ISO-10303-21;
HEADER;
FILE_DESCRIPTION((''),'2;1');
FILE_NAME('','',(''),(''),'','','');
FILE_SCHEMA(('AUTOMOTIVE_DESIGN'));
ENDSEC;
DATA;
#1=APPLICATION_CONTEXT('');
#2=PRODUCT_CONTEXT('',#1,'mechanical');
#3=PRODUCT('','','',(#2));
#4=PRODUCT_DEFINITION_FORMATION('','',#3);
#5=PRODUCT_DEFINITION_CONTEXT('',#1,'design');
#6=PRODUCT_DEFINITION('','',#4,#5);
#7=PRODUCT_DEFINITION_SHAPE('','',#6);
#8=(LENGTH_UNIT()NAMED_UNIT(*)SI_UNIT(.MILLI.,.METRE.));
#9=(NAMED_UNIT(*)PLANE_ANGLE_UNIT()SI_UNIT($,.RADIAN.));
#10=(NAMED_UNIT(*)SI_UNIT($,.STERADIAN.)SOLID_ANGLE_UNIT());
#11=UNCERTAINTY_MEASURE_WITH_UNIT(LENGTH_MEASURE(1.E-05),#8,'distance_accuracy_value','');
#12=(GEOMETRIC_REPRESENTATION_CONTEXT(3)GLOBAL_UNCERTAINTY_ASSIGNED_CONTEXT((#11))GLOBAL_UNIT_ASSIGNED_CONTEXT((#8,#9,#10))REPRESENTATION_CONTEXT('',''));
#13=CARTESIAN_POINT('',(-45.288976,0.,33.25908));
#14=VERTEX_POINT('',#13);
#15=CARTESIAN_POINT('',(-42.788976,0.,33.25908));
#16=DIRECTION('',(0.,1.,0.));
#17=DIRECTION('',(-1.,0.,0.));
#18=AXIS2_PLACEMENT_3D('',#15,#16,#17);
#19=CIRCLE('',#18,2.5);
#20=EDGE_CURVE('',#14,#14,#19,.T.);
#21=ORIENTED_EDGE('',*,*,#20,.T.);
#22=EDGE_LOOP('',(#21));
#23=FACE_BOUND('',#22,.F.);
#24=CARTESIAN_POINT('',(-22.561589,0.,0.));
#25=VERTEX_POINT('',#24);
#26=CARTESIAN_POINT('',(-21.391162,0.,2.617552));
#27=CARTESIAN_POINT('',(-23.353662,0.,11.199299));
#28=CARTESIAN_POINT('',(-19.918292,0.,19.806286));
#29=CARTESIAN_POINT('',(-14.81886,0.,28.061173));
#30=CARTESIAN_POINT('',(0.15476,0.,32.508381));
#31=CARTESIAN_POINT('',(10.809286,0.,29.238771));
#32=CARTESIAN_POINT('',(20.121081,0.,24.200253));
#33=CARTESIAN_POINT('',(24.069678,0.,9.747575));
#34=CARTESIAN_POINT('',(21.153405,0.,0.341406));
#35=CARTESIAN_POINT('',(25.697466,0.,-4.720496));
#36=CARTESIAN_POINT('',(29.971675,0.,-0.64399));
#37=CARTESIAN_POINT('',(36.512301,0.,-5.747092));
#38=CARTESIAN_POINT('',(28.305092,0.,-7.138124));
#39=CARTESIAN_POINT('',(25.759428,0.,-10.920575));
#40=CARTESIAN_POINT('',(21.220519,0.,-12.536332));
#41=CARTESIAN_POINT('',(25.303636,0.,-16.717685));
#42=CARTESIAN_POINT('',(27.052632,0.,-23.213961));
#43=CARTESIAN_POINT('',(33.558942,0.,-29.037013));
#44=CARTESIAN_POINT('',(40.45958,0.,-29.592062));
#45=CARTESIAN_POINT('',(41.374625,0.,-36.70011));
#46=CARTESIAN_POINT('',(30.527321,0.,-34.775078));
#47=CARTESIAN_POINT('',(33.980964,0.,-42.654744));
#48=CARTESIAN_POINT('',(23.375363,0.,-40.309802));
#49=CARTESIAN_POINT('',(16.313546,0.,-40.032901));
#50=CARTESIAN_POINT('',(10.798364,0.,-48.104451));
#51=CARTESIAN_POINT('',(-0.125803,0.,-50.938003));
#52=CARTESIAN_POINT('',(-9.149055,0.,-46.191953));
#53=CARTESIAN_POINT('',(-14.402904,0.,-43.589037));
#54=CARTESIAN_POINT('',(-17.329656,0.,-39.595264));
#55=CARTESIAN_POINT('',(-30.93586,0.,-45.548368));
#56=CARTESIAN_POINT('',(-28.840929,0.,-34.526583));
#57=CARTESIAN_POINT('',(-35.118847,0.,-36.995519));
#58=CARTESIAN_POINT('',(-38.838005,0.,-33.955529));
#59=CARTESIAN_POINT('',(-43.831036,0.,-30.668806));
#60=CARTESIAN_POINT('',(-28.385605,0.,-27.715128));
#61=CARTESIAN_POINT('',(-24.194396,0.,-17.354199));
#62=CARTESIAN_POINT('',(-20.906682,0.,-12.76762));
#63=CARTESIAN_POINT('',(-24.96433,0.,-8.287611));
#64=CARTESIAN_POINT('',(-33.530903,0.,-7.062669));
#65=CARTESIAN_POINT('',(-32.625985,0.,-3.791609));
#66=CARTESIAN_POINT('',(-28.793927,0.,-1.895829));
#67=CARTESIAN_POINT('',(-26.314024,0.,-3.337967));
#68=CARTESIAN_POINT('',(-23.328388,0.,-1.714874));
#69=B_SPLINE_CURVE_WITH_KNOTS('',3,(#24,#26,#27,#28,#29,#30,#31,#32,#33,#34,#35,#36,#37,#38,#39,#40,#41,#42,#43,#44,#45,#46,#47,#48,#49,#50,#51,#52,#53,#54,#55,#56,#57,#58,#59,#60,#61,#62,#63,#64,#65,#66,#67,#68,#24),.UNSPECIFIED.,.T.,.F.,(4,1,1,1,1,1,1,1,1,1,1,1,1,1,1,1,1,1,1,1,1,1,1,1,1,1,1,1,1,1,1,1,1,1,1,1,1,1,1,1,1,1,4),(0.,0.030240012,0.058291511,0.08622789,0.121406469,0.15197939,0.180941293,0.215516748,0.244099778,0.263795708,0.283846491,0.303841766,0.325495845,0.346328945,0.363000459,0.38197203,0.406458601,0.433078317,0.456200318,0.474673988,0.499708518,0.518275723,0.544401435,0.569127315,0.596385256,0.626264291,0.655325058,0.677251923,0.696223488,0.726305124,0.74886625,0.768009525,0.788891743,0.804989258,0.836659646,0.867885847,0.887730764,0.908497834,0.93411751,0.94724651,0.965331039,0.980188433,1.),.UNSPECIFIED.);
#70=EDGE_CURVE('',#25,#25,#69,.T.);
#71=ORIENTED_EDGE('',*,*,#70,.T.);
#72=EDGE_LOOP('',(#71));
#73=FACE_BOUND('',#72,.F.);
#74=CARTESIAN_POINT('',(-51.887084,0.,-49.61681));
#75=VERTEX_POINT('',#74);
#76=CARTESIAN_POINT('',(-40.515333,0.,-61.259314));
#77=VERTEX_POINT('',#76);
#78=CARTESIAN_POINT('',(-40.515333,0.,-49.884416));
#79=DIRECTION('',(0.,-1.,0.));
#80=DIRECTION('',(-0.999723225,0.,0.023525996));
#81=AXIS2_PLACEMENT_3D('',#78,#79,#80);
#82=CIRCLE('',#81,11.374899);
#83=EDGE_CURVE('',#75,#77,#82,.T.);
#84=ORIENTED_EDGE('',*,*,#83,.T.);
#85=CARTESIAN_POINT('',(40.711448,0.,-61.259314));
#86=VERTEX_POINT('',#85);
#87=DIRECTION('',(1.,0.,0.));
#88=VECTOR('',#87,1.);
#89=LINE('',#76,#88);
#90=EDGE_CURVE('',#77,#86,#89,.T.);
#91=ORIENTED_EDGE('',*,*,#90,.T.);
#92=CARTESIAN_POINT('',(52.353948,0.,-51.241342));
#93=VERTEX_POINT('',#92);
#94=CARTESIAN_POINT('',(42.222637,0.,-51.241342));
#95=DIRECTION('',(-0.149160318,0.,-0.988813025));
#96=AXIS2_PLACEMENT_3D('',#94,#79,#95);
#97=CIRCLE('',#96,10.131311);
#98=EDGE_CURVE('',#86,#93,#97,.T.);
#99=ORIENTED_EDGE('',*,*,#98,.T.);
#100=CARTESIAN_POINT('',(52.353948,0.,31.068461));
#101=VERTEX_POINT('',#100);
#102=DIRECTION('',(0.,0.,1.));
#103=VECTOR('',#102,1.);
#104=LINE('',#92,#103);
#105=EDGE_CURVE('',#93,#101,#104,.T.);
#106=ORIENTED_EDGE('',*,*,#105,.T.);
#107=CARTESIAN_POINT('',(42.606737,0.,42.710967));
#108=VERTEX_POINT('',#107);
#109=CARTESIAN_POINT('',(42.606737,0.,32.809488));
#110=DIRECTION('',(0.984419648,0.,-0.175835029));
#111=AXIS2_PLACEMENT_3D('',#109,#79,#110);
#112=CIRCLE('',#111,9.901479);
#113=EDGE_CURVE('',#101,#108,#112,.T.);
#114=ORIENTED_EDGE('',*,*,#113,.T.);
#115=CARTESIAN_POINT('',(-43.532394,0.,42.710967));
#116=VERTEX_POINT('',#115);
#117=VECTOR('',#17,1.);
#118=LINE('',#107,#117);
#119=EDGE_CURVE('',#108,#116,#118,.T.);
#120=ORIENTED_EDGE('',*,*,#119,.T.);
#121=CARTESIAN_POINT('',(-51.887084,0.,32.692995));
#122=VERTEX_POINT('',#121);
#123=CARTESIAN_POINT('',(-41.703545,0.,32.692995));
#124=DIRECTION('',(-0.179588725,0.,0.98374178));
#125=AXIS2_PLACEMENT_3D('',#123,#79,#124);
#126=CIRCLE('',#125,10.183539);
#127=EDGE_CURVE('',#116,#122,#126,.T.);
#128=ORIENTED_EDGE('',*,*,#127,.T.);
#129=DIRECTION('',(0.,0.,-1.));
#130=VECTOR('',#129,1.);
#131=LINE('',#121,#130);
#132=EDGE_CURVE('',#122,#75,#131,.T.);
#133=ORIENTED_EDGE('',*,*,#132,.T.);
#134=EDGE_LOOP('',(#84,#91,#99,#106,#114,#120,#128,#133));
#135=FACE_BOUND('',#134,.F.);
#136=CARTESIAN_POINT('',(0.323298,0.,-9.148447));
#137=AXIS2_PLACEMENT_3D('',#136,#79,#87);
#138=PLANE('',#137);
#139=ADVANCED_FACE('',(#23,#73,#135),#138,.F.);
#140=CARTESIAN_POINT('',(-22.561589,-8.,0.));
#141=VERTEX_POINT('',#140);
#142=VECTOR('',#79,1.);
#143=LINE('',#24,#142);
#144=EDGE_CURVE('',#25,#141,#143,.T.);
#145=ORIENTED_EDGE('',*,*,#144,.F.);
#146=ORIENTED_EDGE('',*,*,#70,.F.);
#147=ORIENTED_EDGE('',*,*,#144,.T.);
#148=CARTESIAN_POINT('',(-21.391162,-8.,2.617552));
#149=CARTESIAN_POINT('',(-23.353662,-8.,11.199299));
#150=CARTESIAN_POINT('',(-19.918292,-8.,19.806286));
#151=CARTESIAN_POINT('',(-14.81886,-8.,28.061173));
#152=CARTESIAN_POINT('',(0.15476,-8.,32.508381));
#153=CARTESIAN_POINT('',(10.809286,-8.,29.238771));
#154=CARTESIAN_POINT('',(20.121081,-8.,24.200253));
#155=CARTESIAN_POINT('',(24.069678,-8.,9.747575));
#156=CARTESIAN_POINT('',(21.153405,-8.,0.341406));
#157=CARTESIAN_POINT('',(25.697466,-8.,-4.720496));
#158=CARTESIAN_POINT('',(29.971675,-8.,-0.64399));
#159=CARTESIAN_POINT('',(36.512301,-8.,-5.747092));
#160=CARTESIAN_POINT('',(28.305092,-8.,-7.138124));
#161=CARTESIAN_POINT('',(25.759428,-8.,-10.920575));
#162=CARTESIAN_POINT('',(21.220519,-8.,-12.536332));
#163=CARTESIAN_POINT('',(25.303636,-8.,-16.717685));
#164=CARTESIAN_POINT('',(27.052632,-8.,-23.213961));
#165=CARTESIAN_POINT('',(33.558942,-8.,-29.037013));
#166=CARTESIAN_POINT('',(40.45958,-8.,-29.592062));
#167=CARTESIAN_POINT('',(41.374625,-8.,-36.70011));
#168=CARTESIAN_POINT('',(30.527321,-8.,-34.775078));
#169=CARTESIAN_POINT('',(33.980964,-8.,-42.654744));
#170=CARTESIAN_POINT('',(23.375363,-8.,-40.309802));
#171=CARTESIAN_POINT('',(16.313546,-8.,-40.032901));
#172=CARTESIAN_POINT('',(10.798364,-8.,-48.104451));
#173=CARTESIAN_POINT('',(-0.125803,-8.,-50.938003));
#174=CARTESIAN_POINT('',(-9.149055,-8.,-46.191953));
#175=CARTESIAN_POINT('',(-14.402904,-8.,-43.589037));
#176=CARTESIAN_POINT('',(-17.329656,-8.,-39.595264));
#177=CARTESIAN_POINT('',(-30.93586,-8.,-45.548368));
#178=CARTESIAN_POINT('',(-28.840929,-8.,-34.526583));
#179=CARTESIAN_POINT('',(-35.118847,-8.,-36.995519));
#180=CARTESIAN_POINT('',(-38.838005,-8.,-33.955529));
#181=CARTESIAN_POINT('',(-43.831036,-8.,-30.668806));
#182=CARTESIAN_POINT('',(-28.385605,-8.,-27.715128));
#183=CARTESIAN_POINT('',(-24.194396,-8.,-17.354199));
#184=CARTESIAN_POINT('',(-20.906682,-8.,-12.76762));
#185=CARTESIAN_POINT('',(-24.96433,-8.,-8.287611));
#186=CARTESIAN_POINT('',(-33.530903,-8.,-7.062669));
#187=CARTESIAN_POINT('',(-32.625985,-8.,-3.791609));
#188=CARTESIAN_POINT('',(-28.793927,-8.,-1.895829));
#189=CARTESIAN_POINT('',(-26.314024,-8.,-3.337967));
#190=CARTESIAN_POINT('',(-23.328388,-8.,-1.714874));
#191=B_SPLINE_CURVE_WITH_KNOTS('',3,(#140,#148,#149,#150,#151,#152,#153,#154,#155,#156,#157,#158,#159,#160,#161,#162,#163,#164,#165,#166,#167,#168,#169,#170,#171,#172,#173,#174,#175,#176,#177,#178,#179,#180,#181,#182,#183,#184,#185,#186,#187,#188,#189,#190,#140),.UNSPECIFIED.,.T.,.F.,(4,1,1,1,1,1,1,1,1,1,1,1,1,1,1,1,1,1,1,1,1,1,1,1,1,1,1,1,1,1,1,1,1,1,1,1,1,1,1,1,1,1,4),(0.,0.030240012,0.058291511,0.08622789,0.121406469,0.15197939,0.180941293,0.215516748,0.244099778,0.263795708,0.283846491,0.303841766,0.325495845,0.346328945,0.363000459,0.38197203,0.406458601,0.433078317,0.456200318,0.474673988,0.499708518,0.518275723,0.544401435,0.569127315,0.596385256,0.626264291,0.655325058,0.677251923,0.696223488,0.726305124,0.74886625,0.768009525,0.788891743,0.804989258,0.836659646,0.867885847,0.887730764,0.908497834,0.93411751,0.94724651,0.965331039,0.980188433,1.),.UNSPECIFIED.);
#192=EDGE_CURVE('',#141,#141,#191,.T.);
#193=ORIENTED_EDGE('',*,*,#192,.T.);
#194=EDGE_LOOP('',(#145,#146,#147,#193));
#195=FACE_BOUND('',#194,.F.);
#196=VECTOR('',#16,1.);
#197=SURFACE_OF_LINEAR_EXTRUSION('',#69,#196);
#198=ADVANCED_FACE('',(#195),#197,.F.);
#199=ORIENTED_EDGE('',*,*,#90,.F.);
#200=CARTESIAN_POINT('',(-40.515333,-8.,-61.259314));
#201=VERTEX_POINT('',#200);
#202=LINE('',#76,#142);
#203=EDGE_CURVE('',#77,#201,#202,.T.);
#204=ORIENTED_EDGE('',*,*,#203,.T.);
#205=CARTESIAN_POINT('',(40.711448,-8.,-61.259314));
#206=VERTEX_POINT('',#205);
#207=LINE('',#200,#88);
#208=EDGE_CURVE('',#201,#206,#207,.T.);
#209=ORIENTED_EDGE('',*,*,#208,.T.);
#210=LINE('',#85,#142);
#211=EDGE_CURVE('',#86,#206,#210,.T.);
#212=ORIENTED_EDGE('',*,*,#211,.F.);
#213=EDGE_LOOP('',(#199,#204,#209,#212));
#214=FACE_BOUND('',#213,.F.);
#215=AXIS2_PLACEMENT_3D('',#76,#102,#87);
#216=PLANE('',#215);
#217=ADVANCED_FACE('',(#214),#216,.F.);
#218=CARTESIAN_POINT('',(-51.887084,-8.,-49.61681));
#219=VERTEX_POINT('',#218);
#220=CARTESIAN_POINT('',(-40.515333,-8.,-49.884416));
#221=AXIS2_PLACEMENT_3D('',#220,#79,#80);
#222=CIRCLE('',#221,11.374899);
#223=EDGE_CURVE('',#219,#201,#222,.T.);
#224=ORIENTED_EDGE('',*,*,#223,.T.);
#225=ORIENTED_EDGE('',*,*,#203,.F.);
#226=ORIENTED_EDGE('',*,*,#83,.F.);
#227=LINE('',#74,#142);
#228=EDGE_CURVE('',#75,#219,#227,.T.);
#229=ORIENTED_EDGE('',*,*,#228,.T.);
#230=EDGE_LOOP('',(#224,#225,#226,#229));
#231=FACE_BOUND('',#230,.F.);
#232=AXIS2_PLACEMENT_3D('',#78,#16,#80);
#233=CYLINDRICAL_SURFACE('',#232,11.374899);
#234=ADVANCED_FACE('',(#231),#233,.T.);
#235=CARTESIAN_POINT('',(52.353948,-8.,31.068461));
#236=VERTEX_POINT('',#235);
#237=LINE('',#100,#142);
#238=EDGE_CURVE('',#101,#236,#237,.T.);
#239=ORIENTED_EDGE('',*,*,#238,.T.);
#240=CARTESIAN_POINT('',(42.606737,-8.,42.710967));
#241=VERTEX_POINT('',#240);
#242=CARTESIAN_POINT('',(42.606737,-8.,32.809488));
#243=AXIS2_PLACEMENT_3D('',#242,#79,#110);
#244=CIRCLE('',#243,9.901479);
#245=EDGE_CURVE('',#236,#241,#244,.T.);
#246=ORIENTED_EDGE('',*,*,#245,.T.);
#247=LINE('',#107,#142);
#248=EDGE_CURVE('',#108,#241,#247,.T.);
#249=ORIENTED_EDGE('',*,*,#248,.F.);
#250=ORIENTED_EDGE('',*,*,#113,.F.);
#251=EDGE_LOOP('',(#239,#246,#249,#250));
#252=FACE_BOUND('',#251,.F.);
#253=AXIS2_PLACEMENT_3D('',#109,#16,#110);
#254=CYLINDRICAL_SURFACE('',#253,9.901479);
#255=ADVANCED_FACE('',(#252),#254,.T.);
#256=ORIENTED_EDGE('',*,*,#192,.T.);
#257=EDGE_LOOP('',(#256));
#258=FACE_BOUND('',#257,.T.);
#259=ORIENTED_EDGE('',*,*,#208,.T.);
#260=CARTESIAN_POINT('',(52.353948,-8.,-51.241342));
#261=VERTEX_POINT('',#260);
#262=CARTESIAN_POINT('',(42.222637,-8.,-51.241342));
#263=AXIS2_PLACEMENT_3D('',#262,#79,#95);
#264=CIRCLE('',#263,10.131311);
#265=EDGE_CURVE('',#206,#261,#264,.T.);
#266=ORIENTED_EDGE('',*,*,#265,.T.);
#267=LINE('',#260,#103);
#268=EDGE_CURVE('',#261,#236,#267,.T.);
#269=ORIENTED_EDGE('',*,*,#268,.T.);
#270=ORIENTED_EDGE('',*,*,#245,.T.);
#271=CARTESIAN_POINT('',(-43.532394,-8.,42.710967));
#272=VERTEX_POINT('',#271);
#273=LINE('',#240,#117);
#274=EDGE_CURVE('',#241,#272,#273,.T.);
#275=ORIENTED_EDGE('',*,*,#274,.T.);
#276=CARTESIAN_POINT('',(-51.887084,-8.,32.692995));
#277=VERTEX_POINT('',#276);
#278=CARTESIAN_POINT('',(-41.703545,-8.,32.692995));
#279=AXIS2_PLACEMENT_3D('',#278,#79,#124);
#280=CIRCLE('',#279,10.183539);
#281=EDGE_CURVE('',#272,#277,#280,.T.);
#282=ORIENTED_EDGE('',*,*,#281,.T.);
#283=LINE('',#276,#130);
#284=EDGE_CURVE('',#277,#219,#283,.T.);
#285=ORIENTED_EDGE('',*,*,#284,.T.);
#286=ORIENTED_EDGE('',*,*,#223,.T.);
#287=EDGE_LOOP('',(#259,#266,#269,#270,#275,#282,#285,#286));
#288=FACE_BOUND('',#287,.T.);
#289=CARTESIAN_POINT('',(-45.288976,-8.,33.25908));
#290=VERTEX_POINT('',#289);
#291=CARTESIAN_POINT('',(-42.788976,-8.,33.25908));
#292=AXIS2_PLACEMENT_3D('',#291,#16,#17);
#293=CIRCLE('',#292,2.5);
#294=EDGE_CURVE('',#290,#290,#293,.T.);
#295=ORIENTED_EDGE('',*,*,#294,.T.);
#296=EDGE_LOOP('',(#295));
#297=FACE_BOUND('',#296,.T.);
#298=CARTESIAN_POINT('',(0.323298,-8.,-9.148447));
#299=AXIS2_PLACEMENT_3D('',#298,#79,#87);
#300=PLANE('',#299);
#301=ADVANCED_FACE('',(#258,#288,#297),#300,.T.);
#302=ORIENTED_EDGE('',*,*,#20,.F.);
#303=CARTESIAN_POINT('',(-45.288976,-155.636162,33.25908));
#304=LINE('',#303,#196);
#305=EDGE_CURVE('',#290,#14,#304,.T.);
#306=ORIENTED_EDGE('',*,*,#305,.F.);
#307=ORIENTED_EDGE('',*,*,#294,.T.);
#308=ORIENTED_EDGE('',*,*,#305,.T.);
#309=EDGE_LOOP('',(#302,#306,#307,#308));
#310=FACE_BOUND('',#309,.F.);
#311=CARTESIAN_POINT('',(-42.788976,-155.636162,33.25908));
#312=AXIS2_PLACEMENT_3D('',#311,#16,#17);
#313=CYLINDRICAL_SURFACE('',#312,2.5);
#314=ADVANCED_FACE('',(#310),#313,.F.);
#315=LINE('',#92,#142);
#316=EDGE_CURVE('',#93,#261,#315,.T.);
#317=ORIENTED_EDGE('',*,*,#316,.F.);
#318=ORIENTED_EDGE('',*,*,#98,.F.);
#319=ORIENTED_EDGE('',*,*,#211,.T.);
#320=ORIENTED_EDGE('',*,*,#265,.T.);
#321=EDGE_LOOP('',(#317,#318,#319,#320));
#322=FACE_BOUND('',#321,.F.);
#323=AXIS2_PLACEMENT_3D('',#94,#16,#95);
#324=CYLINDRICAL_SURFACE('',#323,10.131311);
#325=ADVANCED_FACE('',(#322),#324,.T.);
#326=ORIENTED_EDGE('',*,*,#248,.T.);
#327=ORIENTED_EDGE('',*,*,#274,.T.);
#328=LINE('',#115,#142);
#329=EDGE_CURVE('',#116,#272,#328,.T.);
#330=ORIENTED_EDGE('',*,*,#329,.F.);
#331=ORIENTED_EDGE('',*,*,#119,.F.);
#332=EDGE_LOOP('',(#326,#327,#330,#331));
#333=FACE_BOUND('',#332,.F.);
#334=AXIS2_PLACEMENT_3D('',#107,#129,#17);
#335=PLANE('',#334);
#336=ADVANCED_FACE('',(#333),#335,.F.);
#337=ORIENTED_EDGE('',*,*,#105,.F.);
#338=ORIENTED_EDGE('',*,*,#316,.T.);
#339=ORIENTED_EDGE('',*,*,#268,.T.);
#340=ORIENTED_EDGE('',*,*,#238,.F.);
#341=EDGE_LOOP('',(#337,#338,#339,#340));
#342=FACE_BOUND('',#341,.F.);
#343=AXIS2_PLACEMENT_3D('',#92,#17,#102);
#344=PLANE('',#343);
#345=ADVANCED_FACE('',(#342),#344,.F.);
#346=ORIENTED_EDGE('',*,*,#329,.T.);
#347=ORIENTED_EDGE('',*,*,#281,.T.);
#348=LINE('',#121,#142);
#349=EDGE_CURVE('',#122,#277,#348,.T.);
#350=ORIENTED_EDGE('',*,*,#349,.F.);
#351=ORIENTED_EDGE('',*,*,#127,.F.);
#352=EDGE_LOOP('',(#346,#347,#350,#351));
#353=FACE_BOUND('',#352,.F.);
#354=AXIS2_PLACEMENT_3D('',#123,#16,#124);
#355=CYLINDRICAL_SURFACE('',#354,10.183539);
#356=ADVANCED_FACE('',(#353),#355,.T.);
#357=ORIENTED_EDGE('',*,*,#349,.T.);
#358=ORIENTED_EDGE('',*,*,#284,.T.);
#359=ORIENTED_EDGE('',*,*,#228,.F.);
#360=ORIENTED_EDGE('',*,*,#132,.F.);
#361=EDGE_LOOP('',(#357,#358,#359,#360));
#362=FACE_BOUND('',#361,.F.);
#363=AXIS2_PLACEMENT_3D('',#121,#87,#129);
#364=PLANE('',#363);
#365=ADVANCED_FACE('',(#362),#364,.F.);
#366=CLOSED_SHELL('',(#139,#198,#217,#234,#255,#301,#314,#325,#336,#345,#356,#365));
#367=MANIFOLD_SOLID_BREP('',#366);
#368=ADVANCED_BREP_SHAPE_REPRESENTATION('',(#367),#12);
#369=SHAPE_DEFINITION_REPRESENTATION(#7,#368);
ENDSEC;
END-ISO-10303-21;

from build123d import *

# Parameters (mm, degrees)
F1_DEPTH = 8
F3_D     = 5


with BuildPart() as f1:
    # F0 (on Front) → F1 (new body)
    with BuildSketch(Plane.XZ):
        with BuildLine():
            ThreePointArc((-43.5323938727, 42.7109673619), (-49.5243063362, 39.2152762633), (-51.8870837986, 32.6929949224))
            Line((-51.8870837986, 32.6929949224), (-51.8870837986, -49.6168099344))
            ThreePointArc((-51.8870837986, -49.6168099344), (-48.6526643256, -57.8325076803), (-40.5153334141, -61.2593144178))
            Line((-40.5153334141, -61.2593144178), (40.7114475965, -61.2593144178))
            ThreePointArc((40.7114475965, -61.2593144178), (48.8307055122, -58.9209838271), (52.3539483547, -51.2413419783))
            Line((52.3539483547, -51.2413419783), (52.3539483547, 31.0684610158))
            ThreePointArc((52.3539483547, 31.0684610158), (50.1987739858, 39.1656091037), (42.6067374647, 42.7109673619))
            Line((42.6067374647, 42.7109673619), (-37.2662618756, 42.7109673619))
            Line((-37.2662618756, 42.7109673619), (-43.5323938727, 42.7109673619))
        make_face()
        with BuildLine():
            add(Edge.make_bspline(
                [(-22.5615892559, 0), (-21.3911617421, 2.6175522637), (-23.3536618235, 11.199298747), (-19.9182922171, 19.8062855277), (-14.8188603544, 28.0611726022), (0.1547600456, 32.5083814797), (10.8092859467, 29.2387708881), (20.121081435, 24.2002526085), (24.0696775051, 9.7475746365), (21.1534051764, 0.3414059573), (25.6974660775, -4.7204960252), (29.9716751417, -0.6439903089), (36.5123012054, -5.7470919981), (28.3050917651, -7.138124182), (25.7594282815, -10.9205748376), (21.2205186015, -12.5363322513), (25.3036364453, -16.7176846109), (27.0526315022, -23.2139608126), (33.5589416708, -29.0370131645), (40.4595796572, -29.5920620416), (41.374624982, -36.7001103193), (30.5273214091, -34.775077767), (33.980963887, -42.6547438982), (23.375363347, -40.3098019075), (16.3135464695, -40.0329011843), (10.7983642477, -48.104450628), (-0.1258034398, -50.9380026513), (-9.1490552339, -46.1919534868), (-14.4029040166, -43.5890370442), (-17.3296556516, -39.5952638966), (-30.9358603458, -45.5483676214), (-28.8409286417, -34.5265833982), (-35.1188470404, -36.9955192745), (-38.8380049521, -33.9555287661), (-43.831036056, -30.6688058869), (-28.3856047469, -27.7151278917), (-24.1943960372, -17.3541990859), (-20.9066818086, -12.7676199508), (-24.9643297697, -8.2876112523), (-33.5309034605, -7.0626693478), (-32.625984773, -3.7916092428), (-28.7939266867, -1.895828999), (-26.3140243684, -3.3379673388), (-23.3283879923, -1.7148740476), (-22.5615892559, 0)],
                knots=[0, 0, 0, 0, 0.0302400115, 0.0582915106, 0.0862278903, 0.121406469, 0.1519793899, 0.180941293, 0.2155167479, 0.2440997782, 0.2637957079, 0.2838464906, 0.303841766, 0.3254958454, 0.3463289453, 0.3630004588, 0.3819720298, 0.4064586012, 0.4330783166, 0.4562003176, 0.4746739882, 0.4997085183, 0.5182757229, 0.5444014353, 0.5691273153, 0.5963852565, 0.6262642909, 0.6553250579, 0.6772519233, 0.6962234884, 0.7263051238, 0.7488662498, 0.7680095248, 0.7888917431, 0.8049892583, 0.836659646, 0.8678858467, 0.8877307639, 0.9084978336, 0.9341175102, 0.9472465101, 0.9653310387, 0.9801884334, 1, 1, 1, 1], degree=3))
        make_face(mode=Mode.SUBTRACT)
    extrude(amount=F1_DEPTH)

    # F3 (through all)
    with Locations(Plane.XZ.offset(8)):
        with Locations((-42.7889755816, 33.2590796727)):
            Hole(F3_D / 2)


solid = f1.part
